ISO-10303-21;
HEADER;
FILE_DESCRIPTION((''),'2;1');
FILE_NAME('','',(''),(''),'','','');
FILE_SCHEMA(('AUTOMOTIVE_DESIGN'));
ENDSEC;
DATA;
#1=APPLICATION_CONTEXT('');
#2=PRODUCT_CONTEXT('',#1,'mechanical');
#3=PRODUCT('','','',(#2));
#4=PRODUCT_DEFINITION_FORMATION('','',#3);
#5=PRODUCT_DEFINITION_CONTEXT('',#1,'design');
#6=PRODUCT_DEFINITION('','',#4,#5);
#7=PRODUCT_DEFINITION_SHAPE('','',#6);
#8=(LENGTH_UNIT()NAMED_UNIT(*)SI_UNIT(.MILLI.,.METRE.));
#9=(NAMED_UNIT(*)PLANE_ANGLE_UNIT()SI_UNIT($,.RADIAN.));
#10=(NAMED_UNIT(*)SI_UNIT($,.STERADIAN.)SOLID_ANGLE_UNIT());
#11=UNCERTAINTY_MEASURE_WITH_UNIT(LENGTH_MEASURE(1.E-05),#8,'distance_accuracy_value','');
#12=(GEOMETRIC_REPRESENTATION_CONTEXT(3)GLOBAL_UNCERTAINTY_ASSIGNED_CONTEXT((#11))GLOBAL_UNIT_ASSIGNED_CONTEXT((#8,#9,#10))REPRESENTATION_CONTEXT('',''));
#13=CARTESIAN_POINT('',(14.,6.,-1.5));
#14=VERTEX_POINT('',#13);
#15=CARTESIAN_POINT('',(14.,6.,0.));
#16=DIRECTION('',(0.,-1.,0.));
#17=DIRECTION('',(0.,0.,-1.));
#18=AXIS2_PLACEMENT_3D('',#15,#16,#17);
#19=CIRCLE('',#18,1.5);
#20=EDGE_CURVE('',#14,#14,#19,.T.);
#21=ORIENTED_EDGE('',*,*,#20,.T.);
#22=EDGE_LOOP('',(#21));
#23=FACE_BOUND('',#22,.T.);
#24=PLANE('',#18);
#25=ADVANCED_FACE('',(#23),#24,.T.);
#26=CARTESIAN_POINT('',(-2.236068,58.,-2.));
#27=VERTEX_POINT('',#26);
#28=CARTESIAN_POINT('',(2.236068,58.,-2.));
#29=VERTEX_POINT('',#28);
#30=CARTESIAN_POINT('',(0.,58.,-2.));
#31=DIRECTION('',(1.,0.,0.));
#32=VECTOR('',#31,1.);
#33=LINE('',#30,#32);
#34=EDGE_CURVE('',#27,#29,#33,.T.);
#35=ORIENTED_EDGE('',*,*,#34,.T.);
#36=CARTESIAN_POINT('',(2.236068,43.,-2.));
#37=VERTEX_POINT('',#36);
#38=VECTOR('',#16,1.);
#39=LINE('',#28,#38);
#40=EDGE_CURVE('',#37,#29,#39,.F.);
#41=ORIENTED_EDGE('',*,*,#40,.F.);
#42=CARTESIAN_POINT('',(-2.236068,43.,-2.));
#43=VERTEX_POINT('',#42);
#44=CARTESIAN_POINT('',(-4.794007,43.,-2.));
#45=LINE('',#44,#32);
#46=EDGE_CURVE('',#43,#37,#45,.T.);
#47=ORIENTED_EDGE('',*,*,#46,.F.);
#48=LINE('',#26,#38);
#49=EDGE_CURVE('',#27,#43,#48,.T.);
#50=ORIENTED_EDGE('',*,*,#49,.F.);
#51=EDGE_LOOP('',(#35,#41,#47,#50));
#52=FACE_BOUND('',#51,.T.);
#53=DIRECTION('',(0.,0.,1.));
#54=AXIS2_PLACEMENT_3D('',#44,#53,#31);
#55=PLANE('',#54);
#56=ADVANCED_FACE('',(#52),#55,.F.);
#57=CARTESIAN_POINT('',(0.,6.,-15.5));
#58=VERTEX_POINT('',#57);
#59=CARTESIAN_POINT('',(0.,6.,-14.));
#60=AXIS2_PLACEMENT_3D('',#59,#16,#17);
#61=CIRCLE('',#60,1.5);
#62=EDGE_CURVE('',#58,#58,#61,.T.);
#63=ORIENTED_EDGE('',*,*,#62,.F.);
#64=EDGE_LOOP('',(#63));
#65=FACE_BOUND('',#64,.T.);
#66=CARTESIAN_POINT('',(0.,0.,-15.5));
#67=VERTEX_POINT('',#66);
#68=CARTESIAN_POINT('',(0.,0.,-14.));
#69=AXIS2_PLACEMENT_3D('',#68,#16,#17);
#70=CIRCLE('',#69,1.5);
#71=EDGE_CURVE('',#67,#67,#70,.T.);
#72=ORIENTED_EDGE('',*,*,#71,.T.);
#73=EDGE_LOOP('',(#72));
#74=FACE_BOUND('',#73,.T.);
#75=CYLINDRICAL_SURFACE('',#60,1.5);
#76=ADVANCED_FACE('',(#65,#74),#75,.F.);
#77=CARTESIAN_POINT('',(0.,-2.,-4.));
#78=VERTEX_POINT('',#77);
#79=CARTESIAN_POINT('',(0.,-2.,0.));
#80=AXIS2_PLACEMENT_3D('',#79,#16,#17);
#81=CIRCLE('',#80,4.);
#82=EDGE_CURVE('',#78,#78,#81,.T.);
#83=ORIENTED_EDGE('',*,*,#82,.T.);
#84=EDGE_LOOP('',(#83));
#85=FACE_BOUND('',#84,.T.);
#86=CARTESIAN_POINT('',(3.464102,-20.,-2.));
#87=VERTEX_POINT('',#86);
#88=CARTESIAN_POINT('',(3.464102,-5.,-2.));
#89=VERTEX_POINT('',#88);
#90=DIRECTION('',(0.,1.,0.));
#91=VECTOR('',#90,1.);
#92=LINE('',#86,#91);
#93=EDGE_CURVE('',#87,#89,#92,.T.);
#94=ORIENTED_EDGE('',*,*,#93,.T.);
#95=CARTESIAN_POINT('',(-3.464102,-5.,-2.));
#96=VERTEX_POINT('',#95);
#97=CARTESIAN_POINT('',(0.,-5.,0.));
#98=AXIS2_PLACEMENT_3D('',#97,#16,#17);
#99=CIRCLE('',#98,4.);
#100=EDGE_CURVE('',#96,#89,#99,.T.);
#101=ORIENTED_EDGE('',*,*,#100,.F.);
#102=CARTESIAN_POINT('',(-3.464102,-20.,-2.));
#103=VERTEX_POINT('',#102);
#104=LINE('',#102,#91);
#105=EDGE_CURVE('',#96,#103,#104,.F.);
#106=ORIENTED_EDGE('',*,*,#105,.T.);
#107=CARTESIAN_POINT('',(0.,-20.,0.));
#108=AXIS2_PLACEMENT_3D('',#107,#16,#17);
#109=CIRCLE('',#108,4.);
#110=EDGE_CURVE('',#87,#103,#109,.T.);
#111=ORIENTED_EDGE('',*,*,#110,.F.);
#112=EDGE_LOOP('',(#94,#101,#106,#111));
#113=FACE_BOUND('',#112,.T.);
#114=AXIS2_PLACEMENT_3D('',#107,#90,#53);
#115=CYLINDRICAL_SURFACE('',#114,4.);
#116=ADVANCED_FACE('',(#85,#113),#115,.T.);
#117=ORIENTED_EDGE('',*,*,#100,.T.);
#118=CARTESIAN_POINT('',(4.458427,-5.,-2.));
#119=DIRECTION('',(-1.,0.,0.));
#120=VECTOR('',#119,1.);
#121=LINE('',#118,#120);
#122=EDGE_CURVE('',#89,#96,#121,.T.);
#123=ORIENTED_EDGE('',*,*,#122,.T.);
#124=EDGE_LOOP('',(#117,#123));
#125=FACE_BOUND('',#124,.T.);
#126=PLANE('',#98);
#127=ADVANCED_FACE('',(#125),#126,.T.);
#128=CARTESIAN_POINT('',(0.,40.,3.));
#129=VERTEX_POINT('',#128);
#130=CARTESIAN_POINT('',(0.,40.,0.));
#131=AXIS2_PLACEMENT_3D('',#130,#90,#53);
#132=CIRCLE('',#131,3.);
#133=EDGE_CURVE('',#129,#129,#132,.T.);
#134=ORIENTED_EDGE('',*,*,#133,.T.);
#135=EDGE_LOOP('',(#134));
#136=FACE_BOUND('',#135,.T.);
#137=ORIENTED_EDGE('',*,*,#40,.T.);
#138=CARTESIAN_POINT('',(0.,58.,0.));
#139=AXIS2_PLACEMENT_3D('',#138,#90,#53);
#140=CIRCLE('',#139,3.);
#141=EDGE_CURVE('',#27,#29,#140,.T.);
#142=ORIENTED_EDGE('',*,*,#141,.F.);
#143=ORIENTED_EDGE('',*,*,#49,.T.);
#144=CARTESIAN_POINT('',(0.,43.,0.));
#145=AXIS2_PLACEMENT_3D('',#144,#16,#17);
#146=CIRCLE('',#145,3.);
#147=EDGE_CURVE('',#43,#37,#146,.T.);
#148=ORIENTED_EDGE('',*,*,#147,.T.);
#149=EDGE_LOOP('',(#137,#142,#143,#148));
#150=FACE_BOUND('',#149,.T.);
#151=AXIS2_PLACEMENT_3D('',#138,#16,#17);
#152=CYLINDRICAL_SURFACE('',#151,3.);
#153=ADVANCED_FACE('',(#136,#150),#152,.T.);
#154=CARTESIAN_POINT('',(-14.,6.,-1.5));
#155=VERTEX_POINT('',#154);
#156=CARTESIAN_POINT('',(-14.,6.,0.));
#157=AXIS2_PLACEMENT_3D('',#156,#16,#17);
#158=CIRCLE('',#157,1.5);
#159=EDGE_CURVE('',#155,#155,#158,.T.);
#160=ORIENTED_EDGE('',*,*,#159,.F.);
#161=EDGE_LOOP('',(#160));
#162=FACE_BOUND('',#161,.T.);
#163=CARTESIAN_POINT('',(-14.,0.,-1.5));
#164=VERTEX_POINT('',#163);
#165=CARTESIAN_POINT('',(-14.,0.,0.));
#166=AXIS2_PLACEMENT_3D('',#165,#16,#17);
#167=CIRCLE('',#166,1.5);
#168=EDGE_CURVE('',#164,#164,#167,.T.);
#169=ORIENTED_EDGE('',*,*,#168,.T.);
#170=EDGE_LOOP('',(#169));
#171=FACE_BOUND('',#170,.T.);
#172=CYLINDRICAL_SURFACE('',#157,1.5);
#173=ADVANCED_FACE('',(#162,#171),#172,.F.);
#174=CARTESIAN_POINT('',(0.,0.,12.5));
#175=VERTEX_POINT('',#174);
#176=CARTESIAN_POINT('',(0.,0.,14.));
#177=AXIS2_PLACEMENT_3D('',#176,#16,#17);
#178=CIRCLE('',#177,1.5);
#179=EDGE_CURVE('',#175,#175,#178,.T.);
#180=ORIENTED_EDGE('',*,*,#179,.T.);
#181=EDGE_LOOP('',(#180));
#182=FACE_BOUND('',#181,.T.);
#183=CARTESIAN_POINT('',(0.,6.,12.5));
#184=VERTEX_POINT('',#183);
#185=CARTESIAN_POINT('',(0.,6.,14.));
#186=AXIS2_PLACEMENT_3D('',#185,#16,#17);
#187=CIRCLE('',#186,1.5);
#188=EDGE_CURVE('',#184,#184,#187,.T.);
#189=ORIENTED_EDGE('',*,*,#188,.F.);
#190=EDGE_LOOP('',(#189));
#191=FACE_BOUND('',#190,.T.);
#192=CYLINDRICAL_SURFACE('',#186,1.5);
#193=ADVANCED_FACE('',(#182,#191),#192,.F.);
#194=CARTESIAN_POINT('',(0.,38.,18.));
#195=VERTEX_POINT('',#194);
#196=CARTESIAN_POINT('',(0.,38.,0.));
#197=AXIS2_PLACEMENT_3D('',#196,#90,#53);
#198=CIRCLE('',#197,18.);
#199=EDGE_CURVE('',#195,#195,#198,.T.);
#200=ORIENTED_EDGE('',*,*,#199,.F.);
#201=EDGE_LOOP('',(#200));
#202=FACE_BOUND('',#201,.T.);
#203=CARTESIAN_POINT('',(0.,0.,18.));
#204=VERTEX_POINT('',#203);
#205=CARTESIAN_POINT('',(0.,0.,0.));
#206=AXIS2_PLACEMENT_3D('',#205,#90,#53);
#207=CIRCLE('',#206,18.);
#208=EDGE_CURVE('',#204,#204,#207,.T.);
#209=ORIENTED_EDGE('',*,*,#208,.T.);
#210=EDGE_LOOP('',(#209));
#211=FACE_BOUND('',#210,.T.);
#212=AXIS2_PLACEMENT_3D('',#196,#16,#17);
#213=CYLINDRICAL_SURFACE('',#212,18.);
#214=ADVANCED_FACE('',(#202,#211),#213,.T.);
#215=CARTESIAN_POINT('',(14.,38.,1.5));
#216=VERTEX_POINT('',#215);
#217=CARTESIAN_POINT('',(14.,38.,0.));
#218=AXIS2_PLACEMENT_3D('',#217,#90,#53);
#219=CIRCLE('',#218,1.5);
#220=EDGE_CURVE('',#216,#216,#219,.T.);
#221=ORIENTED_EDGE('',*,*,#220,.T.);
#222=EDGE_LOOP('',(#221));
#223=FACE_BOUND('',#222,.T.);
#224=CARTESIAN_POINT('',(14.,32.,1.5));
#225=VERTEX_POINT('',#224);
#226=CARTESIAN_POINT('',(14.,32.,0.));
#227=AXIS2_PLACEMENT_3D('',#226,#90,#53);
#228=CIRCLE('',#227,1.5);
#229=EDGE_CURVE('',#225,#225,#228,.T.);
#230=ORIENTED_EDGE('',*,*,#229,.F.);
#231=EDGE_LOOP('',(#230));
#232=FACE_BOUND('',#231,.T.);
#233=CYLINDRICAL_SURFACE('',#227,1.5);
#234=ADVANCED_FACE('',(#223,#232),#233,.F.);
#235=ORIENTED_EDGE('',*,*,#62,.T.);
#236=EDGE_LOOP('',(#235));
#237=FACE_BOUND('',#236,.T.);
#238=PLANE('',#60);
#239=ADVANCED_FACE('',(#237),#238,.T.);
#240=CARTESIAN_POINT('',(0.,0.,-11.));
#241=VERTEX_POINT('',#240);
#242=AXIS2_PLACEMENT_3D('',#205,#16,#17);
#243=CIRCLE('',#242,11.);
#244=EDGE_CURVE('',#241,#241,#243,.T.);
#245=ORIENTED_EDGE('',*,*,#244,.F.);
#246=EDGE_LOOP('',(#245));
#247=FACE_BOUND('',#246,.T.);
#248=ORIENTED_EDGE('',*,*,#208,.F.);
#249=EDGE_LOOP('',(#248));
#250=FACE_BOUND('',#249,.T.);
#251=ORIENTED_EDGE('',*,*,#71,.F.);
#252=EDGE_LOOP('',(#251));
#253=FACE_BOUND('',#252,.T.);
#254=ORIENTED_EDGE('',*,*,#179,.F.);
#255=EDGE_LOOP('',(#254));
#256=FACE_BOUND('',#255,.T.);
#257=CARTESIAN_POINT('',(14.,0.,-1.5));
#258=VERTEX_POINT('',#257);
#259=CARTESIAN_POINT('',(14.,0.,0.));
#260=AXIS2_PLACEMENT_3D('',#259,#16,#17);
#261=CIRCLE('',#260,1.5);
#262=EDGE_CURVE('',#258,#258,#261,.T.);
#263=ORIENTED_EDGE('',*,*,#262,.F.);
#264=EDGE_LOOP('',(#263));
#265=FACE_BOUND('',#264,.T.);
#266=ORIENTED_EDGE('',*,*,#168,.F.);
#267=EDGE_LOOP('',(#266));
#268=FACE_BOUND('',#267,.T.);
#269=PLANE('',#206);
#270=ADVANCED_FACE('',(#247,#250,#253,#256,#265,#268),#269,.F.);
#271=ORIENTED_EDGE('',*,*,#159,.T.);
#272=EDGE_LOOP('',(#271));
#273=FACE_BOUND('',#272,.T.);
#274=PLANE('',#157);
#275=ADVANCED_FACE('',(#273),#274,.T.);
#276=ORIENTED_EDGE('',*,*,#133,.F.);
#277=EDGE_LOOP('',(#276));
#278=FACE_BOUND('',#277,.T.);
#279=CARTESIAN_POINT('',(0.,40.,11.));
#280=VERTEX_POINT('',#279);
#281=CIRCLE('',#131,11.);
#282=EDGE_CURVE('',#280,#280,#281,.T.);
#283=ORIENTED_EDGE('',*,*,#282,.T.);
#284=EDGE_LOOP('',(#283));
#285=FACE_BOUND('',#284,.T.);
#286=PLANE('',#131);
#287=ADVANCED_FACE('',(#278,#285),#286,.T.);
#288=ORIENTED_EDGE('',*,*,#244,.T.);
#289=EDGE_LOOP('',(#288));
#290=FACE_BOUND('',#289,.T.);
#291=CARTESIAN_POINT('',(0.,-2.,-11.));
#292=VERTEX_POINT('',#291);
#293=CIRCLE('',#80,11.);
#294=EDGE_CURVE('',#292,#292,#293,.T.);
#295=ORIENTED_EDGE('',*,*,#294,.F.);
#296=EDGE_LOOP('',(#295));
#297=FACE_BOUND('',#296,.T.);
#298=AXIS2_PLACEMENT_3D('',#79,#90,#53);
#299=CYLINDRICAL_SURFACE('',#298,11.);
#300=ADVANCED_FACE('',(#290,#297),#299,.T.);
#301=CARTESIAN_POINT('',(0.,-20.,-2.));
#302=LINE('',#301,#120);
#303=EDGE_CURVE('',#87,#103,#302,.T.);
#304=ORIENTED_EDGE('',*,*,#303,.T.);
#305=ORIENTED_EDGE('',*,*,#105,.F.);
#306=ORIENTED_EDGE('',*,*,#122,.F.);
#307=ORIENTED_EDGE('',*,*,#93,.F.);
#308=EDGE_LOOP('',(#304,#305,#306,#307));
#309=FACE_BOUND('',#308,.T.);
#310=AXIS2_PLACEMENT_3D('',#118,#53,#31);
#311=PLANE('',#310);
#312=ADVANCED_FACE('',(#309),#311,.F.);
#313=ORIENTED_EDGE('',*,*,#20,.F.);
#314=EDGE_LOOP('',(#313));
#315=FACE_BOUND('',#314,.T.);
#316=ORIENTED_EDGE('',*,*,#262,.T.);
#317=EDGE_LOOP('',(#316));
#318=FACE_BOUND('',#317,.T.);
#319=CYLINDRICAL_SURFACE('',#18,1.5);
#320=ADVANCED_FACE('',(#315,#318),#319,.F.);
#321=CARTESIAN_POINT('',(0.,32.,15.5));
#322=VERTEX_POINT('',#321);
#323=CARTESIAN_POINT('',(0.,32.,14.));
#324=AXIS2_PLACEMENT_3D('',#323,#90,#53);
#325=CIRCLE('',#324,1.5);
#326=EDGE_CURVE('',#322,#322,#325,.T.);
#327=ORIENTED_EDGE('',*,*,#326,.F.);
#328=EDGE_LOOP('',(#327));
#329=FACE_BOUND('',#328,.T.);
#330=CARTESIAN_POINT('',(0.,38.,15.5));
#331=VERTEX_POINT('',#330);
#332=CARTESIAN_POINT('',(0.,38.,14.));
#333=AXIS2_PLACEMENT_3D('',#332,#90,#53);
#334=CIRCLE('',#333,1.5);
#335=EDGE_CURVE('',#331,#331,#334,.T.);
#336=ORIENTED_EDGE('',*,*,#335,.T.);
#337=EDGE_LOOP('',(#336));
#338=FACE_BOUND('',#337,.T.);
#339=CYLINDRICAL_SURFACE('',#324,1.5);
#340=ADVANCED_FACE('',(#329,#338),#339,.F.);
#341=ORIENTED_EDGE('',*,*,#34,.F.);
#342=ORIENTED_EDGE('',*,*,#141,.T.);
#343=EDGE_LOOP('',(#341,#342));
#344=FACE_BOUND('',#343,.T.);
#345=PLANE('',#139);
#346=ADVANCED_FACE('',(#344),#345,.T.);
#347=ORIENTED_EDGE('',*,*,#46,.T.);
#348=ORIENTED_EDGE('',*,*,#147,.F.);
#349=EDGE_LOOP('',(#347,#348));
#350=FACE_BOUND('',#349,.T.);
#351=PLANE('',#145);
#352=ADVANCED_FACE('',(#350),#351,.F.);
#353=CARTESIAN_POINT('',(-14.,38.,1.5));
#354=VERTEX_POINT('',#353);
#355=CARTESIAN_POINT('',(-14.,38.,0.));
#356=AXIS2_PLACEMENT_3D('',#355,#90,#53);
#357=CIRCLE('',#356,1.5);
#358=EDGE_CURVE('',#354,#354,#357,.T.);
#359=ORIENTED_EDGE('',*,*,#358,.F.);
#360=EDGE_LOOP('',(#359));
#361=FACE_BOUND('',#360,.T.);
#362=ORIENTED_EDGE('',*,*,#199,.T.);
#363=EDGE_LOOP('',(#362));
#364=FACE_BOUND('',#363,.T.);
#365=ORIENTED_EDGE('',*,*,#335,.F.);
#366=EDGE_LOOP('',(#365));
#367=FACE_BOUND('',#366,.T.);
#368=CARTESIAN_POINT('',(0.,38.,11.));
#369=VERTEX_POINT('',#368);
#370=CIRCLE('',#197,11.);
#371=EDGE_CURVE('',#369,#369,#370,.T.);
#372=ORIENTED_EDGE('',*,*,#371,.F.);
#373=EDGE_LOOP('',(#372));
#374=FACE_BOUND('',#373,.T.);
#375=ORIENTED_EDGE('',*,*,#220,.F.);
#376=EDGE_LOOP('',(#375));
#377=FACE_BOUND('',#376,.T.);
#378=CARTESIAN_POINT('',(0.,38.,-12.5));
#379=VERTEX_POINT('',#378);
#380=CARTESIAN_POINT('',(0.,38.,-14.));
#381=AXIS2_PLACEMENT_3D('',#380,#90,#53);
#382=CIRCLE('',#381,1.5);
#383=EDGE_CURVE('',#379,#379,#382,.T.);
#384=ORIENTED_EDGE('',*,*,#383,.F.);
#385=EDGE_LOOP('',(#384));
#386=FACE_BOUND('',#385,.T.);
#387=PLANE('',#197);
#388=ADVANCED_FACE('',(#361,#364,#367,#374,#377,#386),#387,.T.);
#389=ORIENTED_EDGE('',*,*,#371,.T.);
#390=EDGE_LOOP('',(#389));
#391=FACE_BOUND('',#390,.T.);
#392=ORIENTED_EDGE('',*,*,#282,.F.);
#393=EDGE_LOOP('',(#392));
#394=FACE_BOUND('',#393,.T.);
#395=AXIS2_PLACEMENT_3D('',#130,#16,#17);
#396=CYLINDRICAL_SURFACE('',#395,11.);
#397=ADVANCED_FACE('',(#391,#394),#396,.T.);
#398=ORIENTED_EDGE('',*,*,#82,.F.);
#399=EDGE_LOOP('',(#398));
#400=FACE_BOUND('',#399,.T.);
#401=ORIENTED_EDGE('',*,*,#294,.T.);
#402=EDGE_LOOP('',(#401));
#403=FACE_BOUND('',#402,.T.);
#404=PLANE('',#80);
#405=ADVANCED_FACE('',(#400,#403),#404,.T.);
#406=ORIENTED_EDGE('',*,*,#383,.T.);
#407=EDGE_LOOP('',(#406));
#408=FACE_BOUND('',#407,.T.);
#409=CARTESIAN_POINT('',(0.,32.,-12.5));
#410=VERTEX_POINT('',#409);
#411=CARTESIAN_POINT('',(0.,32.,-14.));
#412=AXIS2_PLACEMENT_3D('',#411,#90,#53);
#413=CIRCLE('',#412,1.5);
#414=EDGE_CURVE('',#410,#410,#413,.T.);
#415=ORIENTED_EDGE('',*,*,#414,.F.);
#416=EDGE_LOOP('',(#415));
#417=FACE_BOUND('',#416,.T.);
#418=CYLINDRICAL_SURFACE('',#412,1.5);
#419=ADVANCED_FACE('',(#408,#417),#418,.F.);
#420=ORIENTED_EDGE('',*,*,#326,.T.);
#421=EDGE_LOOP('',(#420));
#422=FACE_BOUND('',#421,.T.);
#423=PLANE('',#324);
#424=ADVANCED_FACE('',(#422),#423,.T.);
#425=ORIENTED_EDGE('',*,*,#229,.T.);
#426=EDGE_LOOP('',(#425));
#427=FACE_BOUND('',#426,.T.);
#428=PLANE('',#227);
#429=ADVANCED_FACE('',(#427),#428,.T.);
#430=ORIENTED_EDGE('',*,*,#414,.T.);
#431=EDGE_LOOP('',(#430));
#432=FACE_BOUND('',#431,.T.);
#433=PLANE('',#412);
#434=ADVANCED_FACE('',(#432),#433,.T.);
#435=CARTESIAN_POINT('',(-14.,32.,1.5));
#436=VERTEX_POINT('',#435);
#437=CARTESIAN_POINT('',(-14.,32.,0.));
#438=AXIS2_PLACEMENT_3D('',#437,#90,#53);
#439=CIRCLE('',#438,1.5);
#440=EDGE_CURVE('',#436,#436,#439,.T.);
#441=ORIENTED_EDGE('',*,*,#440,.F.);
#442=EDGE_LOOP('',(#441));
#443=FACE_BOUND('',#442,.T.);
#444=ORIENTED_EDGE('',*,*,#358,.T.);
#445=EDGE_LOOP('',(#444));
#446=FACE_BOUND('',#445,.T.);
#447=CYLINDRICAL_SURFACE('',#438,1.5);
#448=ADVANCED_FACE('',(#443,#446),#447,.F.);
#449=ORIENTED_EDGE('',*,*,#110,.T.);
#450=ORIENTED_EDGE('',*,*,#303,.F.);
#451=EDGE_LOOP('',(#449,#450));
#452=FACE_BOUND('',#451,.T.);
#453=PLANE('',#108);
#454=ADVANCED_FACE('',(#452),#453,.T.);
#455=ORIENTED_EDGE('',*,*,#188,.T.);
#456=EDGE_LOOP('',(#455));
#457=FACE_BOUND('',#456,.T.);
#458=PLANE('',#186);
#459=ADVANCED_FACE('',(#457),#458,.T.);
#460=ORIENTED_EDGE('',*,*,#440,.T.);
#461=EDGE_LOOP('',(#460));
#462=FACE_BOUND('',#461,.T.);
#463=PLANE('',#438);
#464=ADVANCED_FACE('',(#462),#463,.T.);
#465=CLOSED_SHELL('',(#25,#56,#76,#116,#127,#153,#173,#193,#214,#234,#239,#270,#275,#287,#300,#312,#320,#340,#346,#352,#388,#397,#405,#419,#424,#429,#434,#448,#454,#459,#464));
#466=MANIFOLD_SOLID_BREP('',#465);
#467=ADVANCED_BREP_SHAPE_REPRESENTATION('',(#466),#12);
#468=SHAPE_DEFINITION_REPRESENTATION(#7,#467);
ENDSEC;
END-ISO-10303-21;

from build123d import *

# Parameters (mm, degrees)
SKETCH_1_R          = 18
EXTRUDE_1_DEPTH     = 38
SKETCH_2_R          = 11
EXTRUDE_2_DEPTH     = 2
EXTRUDE_START       = 2
SKETCH_3_R          = 11
EXTRUDE_3_DEPTH     = 2
SKETCH_4_R          = 4
EXTRUDE_4_DEPTH     = 18
SKETCH_5_R          = 3
EXTRUDE_5_DEPTH     = 18
SKETCH_6_W          = 9.252434457
SKETCH_6_H          = 4.602247191
CUT_EXTRUDE_1_DEPTH = 15
SKETCH_7_W          = 9.252434457
SKETCH_7_H          = 4.602247191
CUT_EXTRUDE_2_DEPTH = 15
SKETCH_8_R          = 1.5
CUT_EXTRUDE_3_DEPTH = 6
CUT_EXTRUDE_START   = -6
SKETCH_9_R          = 1.5
CUT_EXTRUDE_4_DEPTH = 6


with BuildPart() as part:
    # 草图1 → 凸台-拉伸1 (new body)
    with BuildSketch(Plane(origin=(0, 0, 0), x_dir=(1, 0, 0), z_dir=(0, 1, 0))):
        with Locations(Location((0, 0, 0), (0, 0, 270))):
            Circle(SKETCH_1_R)
    extrude(amount=EXTRUDE_1_DEPTH)

    # 草图2 → 凸台-拉伸2 (add)
    with BuildSketch(Plane(origin=(0, 38, 0), x_dir=(1, 0, 0), z_dir=(0, 1, 0))):
        with Locations(Location((0, 0, 0), (0, 0, 270))):
            Circle(SKETCH_2_R)
    extrude(amount=EXTRUDE_2_DEPTH)

    # 草图3 → 凸台-拉伸3 (add)
    with BuildSketch(Plane.XZ.offset(EXTRUDE_START)):
        with Locations(Location((0, 0, 0), (0, 0, 90))):
            Circle(SKETCH_3_R)
    extrude(amount=-EXTRUDE_3_DEPTH)

    # 草图4 → 凸台-拉伸4 (add)
    with BuildSketch(Plane.XZ.offset(2)):
        with Locations(Location((0, 0, 0), (0, 0, 270))):
            Circle(SKETCH_4_R)
    extrude(amount=EXTRUDE_4_DEPTH)

    # 草图5 → 凸台-拉伸5 (add)
    with BuildSketch(Plane(origin=(0, 40, 0), x_dir=(1, 0, 0), z_dir=(0, 1, 0))):
        with Locations(Location((0, 0, 0), (0, 0, 270))):
            Circle(SKETCH_5_R)
    extrude(amount=EXTRUDE_5_DEPTH)

    # 草图6 → 切除-拉伸1 (cut)
    with BuildSketch(Plane(origin=(0, 58, 0), x_dir=(1, 0, 0), z_dir=(0, 1, 0))):
        with Locations((-0.167790263, 4.301123596)):
            Rectangle(SKETCH_6_W, SKETCH_6_H)
    extrude(amount=-CUT_EXTRUDE_1_DEPTH, mode=Mode.SUBTRACT)

    # 草图7 → 切除-拉伸2 (cut)
    with BuildSketch(Plane.XZ.offset(20)):
        with Locations((-0.167790263, -4.301123596)):
            Rectangle(SKETCH_7_W, SKETCH_7_H)
    extrude(amount=-CUT_EXTRUDE_2_DEPTH, mode=Mode.SUBTRACT)

    # 草图8 → 切除-拉伸3 (cut)
    with BuildSketch(Plane.XZ):
        with Locations(Location((0, 14, 0), (0, 0, 270))):
            Circle(SKETCH_8_R)
        with Locations(Location((14, 0, 0), (0, 0, 270))):
            Circle(SKETCH_8_R)
        with Locations(Location((0, -14, 0), (0, 0, 270))):
            Circle(SKETCH_8_R)
        with Locations(Location((-14, 0, 0), (0, 0, 270))):
            Circle(SKETCH_8_R)
    extrude(amount=-CUT_EXTRUDE_3_DEPTH, mode=Mode.SUBTRACT)

    # 草图9 → 切除-拉伸4 (cut)
    with BuildSketch(Plane(origin=(0, 38, 0), x_dir=(1, 0, 0), z_dir=(0, 1, 0)).offset(CUT_EXTRUDE_START)):
        with Locations(Location((-14, 0, 0), (0, 0, 90))):
            Circle(SKETCH_9_R)
        with Locations(Location((0, 14, 0), (0, 0, 90))):
            Circle(SKETCH_9_R)
        with Locations(Location((14, 0, 0), (0, 0, 90))):
            Circle(SKETCH_9_R)
        with Locations(Location((0, -14, 0), (0, 0, 90))):
            Circle(SKETCH_9_R)
    extrude(amount=CUT_EXTRUDE_4_DEPTH, mode=Mode.SUBTRACT)


solid = part.part
